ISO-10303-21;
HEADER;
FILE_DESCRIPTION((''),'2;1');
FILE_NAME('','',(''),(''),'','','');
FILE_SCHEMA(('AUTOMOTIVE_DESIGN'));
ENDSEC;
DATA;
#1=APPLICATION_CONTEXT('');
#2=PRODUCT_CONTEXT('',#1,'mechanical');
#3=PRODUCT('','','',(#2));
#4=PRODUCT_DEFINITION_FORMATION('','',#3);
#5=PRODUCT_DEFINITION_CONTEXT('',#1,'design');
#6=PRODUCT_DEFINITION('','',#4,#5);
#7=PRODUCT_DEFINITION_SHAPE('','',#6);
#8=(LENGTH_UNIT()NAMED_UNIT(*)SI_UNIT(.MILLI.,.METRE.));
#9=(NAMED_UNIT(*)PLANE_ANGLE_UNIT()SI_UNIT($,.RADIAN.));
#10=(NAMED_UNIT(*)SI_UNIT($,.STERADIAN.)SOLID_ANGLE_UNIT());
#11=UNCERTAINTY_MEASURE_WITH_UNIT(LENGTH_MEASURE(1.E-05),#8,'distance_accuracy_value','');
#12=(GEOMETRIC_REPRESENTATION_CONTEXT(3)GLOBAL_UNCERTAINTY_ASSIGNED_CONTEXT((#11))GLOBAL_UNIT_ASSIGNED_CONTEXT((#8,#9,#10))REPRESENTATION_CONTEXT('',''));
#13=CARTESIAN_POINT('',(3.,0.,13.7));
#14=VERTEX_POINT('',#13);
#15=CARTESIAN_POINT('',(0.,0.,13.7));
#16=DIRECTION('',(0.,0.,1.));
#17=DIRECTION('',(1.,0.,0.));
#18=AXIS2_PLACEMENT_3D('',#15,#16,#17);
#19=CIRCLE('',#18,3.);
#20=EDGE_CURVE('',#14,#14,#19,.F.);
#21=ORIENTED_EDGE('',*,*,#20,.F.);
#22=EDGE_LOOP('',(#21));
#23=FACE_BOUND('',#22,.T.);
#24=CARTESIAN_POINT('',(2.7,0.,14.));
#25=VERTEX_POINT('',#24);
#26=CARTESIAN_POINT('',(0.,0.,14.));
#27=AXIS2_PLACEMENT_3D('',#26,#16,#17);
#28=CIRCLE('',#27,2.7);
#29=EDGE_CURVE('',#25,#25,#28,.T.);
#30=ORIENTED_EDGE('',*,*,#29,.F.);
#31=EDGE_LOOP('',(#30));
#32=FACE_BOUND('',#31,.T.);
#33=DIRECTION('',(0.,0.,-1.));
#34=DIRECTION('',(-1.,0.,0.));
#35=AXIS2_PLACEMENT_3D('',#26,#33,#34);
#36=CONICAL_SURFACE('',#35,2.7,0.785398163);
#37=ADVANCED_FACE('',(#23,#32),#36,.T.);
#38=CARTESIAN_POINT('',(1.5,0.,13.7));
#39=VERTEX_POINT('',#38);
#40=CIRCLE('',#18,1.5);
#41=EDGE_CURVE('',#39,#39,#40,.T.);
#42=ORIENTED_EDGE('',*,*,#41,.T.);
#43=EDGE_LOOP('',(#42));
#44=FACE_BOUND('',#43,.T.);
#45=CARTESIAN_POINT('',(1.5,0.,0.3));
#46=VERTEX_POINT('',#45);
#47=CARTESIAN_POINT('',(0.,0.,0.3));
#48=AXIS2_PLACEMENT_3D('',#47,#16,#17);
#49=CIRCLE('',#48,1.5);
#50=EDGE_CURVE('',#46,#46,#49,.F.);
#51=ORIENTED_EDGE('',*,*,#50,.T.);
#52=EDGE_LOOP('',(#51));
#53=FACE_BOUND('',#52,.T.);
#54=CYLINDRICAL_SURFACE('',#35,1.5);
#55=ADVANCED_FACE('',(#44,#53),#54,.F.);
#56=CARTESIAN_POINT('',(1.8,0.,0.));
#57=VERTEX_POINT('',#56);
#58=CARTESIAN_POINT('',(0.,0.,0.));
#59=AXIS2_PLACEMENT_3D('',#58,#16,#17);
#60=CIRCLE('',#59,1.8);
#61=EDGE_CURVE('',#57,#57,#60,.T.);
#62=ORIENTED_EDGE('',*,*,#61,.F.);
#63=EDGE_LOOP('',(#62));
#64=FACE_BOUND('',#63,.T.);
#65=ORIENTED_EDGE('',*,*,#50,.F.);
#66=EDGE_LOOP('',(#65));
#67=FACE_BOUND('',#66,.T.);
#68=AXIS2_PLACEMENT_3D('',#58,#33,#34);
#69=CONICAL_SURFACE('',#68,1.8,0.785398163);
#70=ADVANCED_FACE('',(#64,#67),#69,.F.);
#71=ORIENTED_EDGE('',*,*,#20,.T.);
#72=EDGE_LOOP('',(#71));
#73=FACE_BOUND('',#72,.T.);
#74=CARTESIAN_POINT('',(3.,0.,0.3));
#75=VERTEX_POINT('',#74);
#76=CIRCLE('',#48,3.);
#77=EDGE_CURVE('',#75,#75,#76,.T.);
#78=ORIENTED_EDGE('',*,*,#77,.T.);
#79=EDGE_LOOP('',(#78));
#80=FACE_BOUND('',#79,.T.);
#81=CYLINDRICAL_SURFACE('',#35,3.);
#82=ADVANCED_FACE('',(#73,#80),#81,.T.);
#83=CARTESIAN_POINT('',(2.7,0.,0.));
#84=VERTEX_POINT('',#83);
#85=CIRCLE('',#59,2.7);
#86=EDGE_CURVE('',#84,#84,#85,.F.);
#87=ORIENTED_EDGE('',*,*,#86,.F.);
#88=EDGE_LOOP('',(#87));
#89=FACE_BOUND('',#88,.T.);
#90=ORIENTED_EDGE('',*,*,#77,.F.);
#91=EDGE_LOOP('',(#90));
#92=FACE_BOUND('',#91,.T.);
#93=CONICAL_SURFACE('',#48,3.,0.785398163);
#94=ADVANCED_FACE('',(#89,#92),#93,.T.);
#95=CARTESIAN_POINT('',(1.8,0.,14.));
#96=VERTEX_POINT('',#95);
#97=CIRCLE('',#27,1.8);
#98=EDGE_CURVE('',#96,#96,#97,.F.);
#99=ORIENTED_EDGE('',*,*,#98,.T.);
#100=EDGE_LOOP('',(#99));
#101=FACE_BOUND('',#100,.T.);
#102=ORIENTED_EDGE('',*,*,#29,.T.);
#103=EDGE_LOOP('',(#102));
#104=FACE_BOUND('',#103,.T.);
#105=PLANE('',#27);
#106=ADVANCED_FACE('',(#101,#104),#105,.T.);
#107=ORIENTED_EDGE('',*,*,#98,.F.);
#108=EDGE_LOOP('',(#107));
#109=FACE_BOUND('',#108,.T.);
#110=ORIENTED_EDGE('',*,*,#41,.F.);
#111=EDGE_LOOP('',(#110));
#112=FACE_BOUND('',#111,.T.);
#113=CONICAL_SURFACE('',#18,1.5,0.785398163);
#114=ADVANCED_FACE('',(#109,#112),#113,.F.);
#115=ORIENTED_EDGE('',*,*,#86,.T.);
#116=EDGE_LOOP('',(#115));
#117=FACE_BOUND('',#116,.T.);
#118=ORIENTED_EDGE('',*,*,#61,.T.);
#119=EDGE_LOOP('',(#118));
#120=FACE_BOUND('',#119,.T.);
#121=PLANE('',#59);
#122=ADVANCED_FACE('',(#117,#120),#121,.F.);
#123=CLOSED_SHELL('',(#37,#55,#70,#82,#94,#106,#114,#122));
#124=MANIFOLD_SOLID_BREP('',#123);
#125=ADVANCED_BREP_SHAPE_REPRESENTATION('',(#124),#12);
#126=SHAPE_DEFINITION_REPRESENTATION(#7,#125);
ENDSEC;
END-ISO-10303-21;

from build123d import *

# Parameters (mm, degrees)
SKETCH_1_R      = 3
SKETCH_1_R_2    = 1.5
EXTRUDE_1_DEPTH = 14
CHAMFER_1_SIZE  = 0.3


with BuildPart() as part:
    # ｽｹｯﾁ1 → ﾎﾞｽ - 押し出し1 (new body)
    with BuildSketch(Plane.XY):
        Circle(SKETCH_1_R)
        Circle(SKETCH_1_R_2, mode=Mode.SUBTRACT)
    extrude(amount=EXTRUDE_1_DEPTH)

    # 面取り1
    chamfer_1_edges = [part.edges().sort_by_distance(p)[0] for p in [
        (-3, 0, 0),
        (-3, 0, 14),
        (-1.5, 0, 0),
        (-1.5, 0, 14),
    ]]
    chamfer(chamfer_1_edges, length=CHAMFER_1_SIZE)


solid = part.part
